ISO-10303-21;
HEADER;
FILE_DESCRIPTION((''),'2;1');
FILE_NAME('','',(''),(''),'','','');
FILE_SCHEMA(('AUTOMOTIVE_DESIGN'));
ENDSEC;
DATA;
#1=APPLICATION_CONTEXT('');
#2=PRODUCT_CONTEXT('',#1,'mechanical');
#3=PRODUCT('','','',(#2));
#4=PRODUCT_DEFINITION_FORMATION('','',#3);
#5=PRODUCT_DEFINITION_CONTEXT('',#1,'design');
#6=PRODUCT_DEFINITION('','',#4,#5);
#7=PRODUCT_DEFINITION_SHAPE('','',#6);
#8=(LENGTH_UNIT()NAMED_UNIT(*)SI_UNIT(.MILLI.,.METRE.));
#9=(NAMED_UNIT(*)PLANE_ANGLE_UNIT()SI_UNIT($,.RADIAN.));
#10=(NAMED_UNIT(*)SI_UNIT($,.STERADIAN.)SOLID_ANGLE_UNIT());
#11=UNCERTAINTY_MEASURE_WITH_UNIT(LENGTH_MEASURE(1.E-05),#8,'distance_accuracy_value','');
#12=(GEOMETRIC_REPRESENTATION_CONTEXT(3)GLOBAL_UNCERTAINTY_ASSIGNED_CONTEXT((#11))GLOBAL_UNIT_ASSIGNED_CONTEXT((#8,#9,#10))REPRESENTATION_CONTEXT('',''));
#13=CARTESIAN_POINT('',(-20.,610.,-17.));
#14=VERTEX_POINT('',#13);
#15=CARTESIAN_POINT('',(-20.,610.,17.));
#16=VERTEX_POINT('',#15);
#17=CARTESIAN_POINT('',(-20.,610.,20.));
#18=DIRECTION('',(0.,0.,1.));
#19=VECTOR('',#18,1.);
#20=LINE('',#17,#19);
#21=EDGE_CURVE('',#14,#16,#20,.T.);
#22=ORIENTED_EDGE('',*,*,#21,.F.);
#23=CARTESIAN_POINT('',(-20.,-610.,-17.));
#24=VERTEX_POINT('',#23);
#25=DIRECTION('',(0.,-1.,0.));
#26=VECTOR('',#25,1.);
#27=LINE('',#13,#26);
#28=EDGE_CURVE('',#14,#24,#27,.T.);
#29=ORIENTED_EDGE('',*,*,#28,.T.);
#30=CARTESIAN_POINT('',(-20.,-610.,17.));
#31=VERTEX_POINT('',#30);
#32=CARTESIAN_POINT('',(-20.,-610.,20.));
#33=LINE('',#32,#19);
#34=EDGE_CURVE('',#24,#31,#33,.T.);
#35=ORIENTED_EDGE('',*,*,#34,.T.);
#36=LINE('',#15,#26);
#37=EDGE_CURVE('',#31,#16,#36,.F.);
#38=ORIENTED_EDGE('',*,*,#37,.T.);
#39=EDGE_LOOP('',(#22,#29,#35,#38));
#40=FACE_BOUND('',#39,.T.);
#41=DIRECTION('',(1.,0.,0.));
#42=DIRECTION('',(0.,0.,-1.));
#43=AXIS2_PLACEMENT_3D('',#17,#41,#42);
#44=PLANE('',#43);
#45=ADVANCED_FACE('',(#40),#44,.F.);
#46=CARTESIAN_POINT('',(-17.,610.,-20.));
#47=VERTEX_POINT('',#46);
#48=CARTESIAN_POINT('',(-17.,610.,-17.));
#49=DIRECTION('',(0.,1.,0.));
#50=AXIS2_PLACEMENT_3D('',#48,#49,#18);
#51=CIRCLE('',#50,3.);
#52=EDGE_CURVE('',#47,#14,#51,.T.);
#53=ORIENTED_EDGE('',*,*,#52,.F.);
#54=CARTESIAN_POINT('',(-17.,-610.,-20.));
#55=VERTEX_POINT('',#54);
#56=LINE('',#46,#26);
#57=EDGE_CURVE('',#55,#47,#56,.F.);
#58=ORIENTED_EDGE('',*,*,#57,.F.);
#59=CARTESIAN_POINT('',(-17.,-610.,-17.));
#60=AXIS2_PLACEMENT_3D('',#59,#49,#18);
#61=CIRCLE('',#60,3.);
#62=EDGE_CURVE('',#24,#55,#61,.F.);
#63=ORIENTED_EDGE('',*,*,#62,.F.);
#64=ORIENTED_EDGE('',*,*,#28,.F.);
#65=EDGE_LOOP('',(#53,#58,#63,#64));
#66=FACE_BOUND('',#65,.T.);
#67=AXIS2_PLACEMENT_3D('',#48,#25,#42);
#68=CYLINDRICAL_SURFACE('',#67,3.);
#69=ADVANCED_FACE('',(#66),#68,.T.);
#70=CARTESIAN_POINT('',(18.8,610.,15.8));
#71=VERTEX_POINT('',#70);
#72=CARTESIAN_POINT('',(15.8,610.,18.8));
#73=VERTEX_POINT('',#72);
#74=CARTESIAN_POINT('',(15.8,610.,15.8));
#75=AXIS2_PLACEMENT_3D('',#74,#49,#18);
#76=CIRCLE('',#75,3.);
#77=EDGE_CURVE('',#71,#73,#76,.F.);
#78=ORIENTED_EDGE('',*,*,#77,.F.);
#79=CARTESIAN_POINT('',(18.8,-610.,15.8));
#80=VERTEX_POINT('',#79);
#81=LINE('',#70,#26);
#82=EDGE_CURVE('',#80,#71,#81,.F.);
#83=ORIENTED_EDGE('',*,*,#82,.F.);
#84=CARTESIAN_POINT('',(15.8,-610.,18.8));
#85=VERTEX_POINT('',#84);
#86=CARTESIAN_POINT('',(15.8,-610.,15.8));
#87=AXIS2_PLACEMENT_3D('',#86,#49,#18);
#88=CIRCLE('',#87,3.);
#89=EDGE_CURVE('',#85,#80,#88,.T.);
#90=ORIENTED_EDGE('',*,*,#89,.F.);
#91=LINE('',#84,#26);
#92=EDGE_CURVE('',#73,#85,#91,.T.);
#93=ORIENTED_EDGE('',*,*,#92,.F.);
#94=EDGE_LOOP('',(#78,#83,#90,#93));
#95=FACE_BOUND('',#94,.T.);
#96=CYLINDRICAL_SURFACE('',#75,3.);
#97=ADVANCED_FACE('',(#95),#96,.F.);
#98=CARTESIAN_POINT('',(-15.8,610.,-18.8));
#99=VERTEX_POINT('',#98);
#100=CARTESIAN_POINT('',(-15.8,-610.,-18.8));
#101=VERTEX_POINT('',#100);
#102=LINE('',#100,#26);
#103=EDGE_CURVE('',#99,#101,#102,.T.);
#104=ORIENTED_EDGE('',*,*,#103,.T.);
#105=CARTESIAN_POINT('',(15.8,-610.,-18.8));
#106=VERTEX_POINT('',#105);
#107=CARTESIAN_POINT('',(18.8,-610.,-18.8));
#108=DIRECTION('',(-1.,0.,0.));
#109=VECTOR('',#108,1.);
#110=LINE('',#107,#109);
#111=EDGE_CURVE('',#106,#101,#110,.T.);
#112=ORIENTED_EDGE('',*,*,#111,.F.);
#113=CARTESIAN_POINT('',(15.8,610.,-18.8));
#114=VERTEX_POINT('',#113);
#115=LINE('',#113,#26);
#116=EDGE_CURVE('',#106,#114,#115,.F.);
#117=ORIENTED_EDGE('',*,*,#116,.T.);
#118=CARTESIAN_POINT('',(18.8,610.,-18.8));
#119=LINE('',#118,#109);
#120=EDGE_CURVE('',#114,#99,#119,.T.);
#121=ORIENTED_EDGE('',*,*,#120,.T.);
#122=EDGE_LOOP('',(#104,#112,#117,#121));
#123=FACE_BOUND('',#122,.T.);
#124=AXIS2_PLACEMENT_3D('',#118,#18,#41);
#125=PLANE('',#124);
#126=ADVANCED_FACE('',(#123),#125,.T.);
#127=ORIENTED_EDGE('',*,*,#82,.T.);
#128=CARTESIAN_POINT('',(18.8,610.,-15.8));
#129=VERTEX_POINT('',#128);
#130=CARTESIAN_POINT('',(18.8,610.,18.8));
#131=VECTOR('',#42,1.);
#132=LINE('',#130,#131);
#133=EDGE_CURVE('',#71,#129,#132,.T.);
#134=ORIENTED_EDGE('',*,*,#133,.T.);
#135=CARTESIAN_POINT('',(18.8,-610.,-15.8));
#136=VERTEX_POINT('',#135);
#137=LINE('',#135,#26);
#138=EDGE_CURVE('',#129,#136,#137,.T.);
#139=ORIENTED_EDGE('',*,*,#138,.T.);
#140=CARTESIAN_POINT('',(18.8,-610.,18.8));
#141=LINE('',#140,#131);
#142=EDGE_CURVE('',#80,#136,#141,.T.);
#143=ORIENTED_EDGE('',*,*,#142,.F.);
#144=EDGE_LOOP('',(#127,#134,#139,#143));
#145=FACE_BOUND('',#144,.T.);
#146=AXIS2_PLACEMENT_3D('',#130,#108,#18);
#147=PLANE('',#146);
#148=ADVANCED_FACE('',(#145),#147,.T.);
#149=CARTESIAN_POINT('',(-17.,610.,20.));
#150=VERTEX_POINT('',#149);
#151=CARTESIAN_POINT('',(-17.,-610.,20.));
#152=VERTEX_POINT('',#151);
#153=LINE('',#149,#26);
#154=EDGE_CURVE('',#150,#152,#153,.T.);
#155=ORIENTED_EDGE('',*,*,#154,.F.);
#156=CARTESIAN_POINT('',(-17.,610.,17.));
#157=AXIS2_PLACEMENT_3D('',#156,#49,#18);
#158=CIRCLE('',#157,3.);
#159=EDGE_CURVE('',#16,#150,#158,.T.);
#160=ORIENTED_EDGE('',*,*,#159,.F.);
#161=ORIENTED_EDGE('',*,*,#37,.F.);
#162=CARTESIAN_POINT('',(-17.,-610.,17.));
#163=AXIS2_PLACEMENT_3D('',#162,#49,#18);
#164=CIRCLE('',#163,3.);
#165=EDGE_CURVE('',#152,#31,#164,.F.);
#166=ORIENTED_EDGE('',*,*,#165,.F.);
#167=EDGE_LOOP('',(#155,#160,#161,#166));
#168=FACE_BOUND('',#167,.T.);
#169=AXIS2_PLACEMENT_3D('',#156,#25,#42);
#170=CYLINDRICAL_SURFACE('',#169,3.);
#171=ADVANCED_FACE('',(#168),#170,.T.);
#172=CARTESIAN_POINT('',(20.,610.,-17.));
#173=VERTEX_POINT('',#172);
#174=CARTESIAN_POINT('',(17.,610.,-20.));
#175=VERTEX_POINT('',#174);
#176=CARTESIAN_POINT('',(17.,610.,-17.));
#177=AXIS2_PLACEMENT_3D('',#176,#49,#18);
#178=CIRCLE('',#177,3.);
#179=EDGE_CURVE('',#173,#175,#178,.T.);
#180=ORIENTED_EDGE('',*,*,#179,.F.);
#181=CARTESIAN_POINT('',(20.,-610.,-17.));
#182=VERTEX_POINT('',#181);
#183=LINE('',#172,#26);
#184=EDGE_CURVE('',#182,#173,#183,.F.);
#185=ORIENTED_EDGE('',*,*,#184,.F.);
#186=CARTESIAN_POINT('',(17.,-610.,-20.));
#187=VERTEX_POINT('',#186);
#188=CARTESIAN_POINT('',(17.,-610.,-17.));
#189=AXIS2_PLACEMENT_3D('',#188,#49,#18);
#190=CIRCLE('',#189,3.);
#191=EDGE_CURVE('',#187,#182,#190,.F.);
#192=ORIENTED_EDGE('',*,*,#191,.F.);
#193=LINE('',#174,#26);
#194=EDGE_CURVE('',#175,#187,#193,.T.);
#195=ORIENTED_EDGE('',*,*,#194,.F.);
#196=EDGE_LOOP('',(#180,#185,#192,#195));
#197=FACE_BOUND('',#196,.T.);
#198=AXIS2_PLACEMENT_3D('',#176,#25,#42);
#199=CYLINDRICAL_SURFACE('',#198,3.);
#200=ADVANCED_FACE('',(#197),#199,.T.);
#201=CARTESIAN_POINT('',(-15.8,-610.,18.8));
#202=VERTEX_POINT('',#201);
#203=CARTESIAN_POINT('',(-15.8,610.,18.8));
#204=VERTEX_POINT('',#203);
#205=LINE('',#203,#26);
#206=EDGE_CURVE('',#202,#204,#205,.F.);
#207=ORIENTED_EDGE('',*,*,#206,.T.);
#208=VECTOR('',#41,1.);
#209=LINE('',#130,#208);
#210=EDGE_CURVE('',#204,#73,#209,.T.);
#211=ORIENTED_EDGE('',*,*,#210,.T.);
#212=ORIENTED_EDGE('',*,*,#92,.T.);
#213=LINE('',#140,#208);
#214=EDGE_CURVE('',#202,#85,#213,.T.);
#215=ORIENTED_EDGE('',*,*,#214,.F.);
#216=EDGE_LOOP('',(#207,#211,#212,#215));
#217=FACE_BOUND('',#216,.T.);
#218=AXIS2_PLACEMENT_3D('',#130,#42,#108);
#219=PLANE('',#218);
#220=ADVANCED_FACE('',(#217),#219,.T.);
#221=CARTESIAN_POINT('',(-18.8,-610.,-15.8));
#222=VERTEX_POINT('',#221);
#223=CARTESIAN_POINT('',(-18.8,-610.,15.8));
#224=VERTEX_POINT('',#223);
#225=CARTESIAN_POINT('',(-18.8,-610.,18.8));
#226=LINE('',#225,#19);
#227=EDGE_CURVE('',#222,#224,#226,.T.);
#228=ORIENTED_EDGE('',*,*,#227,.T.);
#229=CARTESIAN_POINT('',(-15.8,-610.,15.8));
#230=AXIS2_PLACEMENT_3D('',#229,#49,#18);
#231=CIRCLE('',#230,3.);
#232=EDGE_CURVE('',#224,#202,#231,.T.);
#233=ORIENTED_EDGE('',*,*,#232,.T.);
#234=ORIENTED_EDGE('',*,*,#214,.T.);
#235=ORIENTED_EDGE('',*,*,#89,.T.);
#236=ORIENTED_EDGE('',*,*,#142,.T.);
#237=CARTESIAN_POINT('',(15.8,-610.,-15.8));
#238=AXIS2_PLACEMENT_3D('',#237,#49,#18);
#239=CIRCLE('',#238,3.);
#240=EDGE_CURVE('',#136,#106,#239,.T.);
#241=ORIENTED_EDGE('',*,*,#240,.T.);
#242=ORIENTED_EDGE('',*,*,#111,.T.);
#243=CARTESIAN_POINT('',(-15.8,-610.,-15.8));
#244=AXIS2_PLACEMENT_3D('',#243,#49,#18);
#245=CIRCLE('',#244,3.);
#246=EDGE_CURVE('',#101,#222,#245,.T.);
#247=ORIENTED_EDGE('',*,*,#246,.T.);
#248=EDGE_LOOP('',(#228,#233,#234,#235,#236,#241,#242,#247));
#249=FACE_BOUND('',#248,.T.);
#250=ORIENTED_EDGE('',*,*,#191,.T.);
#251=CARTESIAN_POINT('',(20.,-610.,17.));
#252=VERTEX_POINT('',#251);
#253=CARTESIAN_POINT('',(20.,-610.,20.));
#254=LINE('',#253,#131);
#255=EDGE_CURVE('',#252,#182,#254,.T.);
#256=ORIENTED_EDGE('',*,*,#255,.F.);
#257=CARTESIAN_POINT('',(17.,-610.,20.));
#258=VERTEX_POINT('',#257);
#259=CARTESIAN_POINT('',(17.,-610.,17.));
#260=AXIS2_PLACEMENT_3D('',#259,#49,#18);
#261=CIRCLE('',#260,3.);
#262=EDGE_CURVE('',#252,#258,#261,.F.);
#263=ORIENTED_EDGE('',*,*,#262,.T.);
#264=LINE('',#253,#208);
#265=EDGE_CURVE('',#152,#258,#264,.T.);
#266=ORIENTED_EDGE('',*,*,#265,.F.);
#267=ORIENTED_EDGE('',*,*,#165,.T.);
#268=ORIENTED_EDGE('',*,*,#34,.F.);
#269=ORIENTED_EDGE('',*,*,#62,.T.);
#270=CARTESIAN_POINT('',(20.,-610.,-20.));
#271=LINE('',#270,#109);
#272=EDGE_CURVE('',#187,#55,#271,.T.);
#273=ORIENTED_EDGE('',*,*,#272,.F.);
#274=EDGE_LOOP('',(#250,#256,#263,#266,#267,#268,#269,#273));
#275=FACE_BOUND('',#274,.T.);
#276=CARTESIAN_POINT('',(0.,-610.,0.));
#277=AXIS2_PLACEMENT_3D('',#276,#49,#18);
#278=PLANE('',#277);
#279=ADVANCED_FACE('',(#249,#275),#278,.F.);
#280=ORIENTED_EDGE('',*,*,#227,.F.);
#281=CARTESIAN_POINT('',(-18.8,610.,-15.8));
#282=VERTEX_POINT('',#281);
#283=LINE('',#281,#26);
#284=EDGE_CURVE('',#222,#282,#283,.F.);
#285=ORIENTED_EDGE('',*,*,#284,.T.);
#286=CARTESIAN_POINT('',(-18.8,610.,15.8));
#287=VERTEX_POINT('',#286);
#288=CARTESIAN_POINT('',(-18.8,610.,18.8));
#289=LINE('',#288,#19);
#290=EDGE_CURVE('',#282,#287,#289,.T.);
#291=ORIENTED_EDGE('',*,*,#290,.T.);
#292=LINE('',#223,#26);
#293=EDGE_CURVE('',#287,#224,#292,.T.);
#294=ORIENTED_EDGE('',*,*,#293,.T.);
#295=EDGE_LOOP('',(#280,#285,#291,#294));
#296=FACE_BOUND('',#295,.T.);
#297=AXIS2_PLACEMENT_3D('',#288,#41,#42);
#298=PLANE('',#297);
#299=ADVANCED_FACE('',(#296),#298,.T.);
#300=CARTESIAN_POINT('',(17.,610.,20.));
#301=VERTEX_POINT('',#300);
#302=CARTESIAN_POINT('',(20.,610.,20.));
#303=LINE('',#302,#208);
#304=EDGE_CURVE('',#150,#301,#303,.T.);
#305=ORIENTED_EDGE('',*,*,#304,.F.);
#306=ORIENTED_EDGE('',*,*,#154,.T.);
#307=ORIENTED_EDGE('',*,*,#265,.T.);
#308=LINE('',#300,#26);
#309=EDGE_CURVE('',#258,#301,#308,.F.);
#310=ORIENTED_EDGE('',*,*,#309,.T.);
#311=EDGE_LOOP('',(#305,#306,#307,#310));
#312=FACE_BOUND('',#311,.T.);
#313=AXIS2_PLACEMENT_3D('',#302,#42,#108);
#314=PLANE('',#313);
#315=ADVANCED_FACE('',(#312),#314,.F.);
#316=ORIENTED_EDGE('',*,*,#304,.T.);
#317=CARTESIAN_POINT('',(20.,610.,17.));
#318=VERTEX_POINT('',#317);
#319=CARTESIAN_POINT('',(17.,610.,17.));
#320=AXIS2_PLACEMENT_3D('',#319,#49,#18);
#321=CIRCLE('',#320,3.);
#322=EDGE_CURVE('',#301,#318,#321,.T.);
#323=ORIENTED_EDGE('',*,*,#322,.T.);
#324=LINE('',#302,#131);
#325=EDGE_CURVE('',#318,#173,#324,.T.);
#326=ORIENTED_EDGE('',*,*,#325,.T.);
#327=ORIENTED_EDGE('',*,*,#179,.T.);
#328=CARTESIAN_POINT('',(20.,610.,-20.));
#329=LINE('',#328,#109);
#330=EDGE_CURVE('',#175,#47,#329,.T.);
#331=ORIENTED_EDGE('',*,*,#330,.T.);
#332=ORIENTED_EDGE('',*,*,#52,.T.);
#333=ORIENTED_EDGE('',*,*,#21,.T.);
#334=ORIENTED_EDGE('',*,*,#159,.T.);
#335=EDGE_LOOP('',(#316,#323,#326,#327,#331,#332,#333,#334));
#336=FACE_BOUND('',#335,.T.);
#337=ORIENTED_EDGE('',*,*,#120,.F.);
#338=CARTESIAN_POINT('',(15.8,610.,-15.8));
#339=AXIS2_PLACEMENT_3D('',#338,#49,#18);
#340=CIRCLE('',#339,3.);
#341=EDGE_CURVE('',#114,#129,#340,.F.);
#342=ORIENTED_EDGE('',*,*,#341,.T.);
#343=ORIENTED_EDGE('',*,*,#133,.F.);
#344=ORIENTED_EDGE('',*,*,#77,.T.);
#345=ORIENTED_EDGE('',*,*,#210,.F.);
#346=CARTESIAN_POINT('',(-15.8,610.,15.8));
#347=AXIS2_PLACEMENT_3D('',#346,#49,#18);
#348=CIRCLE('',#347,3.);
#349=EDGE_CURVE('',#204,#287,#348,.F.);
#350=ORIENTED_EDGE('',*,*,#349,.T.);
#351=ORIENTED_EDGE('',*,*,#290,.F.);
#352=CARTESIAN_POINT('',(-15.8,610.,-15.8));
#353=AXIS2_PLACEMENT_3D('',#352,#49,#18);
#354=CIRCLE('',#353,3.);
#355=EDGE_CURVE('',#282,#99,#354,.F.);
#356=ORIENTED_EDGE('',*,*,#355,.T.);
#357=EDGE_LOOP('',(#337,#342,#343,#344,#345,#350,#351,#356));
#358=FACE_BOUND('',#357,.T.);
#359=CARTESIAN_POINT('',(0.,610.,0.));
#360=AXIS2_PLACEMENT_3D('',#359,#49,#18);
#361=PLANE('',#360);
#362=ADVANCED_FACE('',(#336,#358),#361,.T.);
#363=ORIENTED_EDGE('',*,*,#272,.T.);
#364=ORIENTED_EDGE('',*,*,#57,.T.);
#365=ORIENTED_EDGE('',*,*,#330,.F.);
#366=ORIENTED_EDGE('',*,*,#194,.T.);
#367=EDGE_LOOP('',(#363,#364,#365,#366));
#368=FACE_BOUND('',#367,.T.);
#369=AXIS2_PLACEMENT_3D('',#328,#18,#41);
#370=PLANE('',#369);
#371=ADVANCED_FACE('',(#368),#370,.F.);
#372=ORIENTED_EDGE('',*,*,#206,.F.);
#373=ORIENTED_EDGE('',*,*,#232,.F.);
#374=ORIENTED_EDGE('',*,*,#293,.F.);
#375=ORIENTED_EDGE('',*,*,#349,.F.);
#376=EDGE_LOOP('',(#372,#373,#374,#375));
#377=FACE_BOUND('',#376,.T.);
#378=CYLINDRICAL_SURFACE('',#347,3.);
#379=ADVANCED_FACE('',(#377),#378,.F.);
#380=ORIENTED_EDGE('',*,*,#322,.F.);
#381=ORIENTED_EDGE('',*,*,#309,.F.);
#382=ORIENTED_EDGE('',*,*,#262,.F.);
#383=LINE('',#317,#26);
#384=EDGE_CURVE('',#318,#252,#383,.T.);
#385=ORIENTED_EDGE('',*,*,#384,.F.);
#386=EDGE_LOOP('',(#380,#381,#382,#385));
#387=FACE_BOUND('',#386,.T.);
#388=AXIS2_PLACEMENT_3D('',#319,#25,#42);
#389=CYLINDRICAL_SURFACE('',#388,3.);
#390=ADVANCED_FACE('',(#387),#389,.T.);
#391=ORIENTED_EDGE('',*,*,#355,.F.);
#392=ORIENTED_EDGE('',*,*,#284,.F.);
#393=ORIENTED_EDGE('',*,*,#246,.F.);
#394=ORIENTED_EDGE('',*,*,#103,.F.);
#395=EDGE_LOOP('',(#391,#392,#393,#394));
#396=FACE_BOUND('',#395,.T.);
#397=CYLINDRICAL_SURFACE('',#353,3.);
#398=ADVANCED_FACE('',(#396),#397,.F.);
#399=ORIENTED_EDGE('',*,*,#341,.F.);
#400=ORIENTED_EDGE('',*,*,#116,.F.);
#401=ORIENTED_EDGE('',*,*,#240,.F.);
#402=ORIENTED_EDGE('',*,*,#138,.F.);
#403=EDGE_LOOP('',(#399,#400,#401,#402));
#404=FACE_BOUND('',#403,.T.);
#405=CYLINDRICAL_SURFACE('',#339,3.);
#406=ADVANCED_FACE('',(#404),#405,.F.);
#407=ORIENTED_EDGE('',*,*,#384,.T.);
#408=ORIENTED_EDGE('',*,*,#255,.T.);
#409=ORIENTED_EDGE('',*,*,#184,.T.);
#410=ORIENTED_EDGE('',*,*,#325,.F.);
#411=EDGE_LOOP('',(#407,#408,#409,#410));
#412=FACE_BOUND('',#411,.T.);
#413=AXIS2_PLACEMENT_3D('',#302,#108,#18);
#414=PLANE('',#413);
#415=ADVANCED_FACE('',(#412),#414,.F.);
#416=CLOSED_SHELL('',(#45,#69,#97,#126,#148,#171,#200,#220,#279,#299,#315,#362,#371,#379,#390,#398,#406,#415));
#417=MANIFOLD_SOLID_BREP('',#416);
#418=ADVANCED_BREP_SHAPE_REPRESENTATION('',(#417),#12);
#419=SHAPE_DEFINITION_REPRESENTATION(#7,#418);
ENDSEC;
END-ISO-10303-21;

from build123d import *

# Parameters (mm, degrees)
ESBO_O1_W                = 40
ESBO_O1_H                = 40
ESBO_O1_W_2              = 37.6
ESBO_O1_H_2              = 37.6
RESSALTO_EXTRUS_O1_DEPTH = 610
FILETE1_R                = 3


with BuildPart() as part:
    # Esboço1 → Ressalto-extrusão1 (new, symmetric)
    with BuildSketch(Plane(origin=(0, 0, 0), x_dir=(1, 0, 0), z_dir=(0, 1, 0))):
        Rectangle(ESBO_O1_W, ESBO_O1_H)
        Rectangle(ESBO_O1_W_2, ESBO_O1_H_2, mode=Mode.SUBTRACT)
    extrude(amount=RESSALTO_EXTRUS_O1_DEPTH, both=True)

    # Filete1
    filete1_edges = [part.edges().sort_by_distance(p)[0] for p in [
        (-18.8, 0, 18.8),
        (18.8, 0, 18.8),
        (18.8, 0, -18.8),
        (-18.8, 0, -18.8),
        (-20, 0, -20),
        (20, 0, -20),
        (20, 0, 20),
        (-20, 0, 20),
    ]]
    fillet(filete1_edges, radius=FILETE1_R)


solid = part.part
